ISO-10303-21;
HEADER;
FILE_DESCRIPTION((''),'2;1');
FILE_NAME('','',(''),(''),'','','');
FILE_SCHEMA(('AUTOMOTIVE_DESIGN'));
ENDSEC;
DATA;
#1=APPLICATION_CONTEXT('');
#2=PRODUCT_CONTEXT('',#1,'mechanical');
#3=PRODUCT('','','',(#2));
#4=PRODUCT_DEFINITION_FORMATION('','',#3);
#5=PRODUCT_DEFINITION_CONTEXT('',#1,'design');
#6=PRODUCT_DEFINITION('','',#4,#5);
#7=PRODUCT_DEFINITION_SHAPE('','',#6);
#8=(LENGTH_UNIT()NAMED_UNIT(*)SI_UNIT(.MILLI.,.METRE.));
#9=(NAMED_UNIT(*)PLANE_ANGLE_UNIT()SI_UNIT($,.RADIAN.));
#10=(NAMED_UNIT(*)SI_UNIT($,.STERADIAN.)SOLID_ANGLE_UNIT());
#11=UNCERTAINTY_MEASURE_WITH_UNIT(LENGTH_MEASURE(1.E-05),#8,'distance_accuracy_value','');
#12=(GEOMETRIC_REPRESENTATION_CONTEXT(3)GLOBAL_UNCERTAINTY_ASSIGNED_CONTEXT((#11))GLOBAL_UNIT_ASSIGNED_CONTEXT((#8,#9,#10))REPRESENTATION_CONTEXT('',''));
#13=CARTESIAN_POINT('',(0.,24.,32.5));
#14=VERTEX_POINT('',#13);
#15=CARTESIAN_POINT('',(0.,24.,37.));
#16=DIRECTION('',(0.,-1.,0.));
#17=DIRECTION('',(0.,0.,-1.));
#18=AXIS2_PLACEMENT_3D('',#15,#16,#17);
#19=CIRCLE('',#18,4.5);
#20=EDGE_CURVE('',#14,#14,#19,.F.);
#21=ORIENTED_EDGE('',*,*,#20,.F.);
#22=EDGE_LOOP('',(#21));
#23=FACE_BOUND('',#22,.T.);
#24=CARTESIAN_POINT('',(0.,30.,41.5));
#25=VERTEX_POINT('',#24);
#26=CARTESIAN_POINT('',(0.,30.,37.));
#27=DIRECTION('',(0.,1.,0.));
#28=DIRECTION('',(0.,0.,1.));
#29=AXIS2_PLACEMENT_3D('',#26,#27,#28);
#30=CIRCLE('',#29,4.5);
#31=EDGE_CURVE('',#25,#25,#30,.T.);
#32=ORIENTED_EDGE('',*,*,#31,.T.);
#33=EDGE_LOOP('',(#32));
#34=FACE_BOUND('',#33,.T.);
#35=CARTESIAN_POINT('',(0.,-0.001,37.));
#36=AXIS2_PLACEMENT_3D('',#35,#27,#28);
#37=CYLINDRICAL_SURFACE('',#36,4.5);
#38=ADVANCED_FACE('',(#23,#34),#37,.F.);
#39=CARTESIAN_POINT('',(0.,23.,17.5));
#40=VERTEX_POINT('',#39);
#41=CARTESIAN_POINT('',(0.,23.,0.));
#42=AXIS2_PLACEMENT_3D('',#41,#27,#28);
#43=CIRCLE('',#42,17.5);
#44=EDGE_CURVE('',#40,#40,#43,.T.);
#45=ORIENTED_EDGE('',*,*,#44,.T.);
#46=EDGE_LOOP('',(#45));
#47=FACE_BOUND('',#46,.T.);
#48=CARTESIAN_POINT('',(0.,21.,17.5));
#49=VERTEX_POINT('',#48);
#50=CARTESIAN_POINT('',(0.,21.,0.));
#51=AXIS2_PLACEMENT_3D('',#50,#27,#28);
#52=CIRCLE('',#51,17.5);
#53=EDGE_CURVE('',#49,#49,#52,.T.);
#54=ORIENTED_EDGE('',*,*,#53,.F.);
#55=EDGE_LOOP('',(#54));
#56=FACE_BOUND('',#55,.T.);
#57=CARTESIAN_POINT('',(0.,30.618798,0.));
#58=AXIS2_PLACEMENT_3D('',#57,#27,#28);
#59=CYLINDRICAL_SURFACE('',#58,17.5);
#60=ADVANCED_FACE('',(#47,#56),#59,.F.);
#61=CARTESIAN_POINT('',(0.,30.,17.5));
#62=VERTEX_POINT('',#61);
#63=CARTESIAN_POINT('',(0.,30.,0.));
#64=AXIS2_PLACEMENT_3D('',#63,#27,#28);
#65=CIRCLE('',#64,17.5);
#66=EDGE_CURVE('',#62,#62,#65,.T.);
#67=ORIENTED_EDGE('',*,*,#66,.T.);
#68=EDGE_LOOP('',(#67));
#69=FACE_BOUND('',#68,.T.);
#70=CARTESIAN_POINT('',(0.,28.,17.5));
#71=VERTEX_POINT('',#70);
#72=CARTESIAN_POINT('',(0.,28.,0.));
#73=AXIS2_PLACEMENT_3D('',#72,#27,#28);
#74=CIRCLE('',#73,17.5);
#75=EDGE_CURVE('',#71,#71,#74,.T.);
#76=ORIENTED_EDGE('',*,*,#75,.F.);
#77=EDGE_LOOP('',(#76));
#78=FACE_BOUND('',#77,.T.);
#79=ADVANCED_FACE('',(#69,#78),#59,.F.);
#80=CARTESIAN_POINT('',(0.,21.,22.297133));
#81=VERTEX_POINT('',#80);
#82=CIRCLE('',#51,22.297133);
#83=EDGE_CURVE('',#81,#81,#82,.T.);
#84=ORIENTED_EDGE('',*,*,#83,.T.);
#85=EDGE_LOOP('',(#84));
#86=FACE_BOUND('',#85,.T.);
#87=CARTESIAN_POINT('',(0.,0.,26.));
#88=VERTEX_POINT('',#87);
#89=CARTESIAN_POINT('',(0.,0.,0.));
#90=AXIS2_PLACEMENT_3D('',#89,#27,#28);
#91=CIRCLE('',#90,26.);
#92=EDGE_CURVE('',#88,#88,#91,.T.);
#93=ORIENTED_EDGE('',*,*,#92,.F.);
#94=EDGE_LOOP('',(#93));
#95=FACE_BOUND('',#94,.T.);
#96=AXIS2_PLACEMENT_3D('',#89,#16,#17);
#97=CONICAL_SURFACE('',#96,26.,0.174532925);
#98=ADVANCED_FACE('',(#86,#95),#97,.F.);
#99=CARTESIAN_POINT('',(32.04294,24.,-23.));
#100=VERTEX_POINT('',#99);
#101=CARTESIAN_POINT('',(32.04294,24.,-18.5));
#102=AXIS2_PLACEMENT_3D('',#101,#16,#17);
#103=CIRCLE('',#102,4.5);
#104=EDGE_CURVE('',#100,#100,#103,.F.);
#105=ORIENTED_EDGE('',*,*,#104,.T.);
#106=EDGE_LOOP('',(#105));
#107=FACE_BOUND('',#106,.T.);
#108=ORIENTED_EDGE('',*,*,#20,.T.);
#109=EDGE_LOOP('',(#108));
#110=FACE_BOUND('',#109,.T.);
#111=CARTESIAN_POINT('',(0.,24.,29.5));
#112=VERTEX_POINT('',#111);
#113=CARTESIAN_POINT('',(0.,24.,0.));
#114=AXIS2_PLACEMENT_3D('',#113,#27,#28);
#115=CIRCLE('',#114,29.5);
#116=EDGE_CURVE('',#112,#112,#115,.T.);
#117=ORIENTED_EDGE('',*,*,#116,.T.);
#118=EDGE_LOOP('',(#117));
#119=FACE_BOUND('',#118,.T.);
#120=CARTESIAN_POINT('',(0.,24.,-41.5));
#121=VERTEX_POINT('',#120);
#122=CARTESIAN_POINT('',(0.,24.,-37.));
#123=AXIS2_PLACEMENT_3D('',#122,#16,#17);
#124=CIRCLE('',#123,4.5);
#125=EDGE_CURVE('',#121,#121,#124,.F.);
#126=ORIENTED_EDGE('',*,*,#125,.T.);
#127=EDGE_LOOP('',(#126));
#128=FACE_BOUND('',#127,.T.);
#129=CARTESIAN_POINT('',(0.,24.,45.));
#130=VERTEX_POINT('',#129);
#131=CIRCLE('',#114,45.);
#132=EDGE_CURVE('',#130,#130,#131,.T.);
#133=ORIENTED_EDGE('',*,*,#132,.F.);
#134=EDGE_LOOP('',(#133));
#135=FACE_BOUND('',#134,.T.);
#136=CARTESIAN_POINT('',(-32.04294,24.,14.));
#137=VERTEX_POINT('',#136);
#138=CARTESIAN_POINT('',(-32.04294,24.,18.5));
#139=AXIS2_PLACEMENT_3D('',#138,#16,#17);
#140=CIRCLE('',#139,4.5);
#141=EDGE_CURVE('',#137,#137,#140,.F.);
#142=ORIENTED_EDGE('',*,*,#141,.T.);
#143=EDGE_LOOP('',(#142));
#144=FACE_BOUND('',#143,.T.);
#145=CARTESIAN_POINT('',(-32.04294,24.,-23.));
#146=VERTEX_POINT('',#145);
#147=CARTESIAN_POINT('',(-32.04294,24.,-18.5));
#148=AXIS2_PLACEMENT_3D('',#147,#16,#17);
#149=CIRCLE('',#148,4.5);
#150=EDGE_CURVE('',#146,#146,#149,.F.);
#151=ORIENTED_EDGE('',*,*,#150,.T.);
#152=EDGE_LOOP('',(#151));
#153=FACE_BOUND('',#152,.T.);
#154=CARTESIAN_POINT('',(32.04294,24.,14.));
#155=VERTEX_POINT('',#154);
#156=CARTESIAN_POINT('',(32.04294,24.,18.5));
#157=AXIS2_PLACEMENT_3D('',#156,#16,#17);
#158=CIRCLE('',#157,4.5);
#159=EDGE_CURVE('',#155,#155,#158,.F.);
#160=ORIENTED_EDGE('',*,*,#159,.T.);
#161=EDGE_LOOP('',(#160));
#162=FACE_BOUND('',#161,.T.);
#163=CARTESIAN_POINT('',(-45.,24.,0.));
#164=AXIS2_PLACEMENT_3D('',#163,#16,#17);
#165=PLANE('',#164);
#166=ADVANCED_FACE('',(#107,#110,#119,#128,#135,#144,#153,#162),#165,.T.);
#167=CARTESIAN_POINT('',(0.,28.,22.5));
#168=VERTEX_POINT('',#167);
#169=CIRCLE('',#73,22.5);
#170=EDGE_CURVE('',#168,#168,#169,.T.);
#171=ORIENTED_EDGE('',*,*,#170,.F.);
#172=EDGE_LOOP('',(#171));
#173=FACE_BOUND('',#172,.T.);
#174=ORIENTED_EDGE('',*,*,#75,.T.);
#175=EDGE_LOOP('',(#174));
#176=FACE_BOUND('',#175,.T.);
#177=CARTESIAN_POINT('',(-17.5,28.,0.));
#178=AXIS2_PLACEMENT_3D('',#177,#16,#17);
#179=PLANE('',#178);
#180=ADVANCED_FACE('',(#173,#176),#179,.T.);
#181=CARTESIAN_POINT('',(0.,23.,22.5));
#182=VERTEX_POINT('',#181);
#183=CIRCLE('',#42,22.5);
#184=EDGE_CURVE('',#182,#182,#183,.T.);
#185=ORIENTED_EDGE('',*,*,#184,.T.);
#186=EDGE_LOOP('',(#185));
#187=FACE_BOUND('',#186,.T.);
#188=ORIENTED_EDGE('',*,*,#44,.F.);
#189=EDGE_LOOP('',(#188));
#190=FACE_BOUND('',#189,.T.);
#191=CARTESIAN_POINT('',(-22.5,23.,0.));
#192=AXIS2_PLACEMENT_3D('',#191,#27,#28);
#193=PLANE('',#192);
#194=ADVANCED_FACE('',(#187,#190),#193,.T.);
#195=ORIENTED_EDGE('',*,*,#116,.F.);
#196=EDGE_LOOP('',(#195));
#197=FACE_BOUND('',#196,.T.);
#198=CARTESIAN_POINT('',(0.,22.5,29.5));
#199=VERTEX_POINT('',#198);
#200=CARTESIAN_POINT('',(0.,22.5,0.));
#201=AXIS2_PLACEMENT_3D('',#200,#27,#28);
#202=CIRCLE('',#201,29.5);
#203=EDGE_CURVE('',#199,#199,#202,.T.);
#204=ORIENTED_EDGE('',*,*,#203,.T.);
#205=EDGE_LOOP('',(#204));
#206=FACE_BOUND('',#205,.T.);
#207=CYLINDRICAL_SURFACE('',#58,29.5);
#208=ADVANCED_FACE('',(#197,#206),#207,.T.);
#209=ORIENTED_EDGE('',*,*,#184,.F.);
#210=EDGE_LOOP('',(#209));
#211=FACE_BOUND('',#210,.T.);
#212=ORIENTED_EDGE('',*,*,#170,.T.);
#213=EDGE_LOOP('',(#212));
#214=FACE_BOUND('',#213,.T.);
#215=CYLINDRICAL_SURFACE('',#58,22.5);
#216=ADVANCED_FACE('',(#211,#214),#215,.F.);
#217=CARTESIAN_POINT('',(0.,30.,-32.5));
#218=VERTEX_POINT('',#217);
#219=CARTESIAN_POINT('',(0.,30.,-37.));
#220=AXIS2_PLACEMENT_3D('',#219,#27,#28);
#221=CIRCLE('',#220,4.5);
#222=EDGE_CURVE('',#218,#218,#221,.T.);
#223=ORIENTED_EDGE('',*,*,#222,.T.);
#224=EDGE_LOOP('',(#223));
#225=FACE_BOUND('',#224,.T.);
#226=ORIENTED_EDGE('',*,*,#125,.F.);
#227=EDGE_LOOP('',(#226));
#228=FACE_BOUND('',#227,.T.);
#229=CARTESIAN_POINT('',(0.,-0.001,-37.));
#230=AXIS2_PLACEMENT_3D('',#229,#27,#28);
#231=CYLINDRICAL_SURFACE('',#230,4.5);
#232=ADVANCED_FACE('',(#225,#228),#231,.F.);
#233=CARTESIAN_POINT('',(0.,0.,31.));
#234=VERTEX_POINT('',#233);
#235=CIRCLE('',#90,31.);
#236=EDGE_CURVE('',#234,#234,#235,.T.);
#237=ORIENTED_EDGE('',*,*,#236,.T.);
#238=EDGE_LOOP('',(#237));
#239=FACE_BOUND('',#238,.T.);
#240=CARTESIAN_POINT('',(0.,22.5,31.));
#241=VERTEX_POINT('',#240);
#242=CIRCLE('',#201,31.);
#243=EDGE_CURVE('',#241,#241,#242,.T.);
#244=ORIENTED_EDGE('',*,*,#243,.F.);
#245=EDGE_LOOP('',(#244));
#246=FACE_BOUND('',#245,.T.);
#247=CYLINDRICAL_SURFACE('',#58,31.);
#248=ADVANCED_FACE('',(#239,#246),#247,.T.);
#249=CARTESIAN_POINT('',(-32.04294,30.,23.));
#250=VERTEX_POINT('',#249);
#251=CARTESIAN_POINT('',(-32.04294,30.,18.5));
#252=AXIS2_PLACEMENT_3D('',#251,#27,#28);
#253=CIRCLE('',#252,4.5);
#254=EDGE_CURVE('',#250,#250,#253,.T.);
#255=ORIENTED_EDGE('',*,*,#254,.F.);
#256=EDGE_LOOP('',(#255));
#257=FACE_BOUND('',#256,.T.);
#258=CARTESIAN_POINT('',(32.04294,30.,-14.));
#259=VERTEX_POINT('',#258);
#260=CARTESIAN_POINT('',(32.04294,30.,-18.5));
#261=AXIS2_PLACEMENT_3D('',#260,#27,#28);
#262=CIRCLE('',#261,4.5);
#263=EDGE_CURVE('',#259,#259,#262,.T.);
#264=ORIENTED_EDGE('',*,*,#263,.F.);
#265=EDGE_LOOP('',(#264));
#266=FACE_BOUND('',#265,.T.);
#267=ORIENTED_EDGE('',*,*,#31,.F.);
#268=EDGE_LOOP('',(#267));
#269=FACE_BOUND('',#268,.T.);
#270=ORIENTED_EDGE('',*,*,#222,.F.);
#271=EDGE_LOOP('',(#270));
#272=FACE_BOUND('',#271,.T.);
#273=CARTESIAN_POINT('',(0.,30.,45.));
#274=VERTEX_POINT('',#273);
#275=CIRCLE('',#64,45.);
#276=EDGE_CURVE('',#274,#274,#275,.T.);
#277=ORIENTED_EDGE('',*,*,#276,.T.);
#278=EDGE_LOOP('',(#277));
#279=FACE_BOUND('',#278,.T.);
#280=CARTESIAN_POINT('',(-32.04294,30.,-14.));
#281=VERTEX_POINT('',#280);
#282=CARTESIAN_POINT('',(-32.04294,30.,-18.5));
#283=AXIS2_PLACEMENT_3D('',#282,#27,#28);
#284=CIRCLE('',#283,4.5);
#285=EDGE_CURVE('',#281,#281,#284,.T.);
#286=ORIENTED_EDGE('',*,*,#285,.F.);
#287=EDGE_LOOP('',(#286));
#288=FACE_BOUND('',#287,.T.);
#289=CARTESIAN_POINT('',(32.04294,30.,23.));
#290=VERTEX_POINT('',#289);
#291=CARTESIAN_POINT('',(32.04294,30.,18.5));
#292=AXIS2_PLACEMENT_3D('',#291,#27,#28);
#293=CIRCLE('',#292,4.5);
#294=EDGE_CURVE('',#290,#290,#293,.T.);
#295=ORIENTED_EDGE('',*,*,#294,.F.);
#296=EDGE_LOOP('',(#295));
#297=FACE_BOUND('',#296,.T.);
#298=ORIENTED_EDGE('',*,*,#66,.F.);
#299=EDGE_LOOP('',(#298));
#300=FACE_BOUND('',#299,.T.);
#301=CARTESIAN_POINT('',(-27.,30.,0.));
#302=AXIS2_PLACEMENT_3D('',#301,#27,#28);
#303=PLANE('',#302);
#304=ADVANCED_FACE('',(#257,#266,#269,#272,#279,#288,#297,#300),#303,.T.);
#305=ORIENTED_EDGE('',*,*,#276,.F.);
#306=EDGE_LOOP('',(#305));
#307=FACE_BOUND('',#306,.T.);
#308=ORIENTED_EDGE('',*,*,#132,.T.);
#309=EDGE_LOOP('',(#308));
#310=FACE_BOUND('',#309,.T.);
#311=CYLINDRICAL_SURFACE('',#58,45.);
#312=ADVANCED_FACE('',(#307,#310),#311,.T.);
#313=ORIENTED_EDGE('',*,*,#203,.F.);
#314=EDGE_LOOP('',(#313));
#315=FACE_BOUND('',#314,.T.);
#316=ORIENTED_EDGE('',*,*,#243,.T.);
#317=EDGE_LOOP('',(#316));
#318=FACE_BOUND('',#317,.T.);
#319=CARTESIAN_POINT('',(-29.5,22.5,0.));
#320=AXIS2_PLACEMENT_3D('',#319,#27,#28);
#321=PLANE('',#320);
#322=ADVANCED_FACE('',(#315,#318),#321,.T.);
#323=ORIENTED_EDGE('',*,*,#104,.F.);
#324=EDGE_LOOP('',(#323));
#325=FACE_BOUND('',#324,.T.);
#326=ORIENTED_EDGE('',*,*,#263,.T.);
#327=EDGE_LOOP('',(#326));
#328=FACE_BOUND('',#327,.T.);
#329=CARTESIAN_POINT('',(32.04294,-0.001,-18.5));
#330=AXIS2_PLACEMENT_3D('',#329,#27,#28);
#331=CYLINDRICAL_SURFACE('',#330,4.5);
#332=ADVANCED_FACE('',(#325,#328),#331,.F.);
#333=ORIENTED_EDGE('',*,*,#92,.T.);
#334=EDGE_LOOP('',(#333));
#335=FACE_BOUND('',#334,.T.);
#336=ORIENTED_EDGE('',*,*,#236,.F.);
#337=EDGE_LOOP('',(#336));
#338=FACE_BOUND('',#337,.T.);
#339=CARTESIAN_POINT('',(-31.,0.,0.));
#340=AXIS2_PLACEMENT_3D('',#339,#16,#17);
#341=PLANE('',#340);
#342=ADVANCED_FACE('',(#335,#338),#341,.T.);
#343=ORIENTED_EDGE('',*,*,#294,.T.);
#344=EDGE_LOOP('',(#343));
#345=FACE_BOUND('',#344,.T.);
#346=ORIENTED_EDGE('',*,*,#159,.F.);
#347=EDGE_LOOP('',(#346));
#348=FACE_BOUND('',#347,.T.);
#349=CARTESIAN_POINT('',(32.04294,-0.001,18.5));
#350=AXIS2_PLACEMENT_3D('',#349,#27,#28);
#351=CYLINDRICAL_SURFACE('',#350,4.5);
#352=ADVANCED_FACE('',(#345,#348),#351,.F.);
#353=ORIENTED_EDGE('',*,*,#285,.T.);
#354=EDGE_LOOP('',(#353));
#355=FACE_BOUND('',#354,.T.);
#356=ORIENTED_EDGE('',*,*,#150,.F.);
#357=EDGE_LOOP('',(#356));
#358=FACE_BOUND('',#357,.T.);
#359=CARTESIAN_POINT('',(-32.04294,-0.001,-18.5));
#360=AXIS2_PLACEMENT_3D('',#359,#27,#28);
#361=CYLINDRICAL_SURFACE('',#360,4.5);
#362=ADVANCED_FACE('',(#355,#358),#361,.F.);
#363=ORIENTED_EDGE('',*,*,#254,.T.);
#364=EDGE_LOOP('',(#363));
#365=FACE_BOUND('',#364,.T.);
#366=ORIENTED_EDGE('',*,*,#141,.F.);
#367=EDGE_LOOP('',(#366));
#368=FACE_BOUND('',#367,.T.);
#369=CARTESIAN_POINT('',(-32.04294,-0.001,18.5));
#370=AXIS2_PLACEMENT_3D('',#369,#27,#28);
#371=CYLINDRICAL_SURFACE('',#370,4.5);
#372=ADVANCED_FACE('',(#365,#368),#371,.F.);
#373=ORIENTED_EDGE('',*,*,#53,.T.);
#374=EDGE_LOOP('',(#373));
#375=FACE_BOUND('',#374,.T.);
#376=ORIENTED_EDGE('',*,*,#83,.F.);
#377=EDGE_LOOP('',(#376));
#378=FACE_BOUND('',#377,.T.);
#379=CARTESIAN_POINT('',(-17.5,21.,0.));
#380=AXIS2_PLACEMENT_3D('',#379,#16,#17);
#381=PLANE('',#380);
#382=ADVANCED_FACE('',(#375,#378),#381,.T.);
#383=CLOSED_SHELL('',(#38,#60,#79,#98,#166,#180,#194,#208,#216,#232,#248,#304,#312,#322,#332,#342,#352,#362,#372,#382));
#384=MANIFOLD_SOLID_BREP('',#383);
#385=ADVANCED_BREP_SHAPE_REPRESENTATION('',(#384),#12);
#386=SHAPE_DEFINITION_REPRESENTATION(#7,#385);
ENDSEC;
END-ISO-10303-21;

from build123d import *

# Parameters (mm, degrees)
CUT_EXTRUDE1_REACH = 72.356
SKETCH2_R          = 4.5


with BuildPart() as part:
    # Sketch1 → Revolve1 (revolve)
    with BuildSketch(Plane.XY, mode=Mode.PRIVATE) as revolve1_sk:
        Polygon((-45, 30), (-45, 24), (-29.5, 24), (-29.5, 22.5), (-31, 22.5), (-31, 0), (-26, 0), (-22.297133405, 21), (-17.5, 21), (-17.5, 23), (-22.5, 23), (-22.5, 28), (-17.5, 28), (-17.5, 30), (-27, 30), align=None)
    revolve(revolve1_sk.sketch.rotate(Axis((0, 30.618797564, 0), (0, -1, 0)), 270), axis=Axis((0, 30.618797564, 0), (0, -1, 0)))

    # Sketch2 → Cut-Extrude1 (cut, up to next)
    with BuildSketch(Plane(origin=(0, 30, 0), x_dir=(1, 0, 0), z_dir=(0, 1, 0)), mode=Mode.PRIVATE) as cut_extrude1_sk1:
        with Locations(Location((0, 37, 0), (0, 0, 270))):
            Circle(SKETCH2_R)
    cut_extrude1_tool1 = extrude(cut_extrude1_sk1.sketch, amount=-CUT_EXTRUDE1_REACH, mode=Mode.PRIVATE) & part.part
    # Sketch2 → Cut-Extrude1 (cut, up to next)
    with BuildSketch(Plane(origin=(0, 30, 0), x_dir=(1, 0, 0), z_dir=(0, 1, 0)), mode=Mode.PRIVATE) as cut_extrude1_sk2:
        with Locations(Location((32.04293994, 18.5, 0), (0, 0, 270))):
            Circle(SKETCH2_R)
    cut_extrude1_tool2 = extrude(cut_extrude1_sk2.sketch, amount=-CUT_EXTRUDE1_REACH, mode=Mode.PRIVATE) & part.part
    # Sketch2 → Cut-Extrude1 (cut, up to next)
    with BuildSketch(Plane(origin=(0, 30, 0), x_dir=(1, 0, 0), z_dir=(0, 1, 0)), mode=Mode.PRIVATE) as cut_extrude1_sk3:
        with Locations(Location((32.04293994, -18.5, 0), (0, 0, 270))):
            Circle(SKETCH2_R)
    cut_extrude1_tool3 = extrude(cut_extrude1_sk3.sketch, amount=-CUT_EXTRUDE1_REACH, mode=Mode.PRIVATE) & part.part
    # Sketch2 → Cut-Extrude1 (cut, up to next)
    with BuildSketch(Plane(origin=(0, 30, 0), x_dir=(1, 0, 0), z_dir=(0, 1, 0)), mode=Mode.PRIVATE) as cut_extrude1_sk4:
        with Locations(Location((0, -37, 0), (0, 0, 270))):
            Circle(SKETCH2_R)
    cut_extrude1_tool4 = extrude(cut_extrude1_sk4.sketch, amount=-CUT_EXTRUDE1_REACH, mode=Mode.PRIVATE) & part.part
    # Sketch2 → Cut-Extrude1 (cut, up to next)
    with BuildSketch(Plane(origin=(0, 30, 0), x_dir=(1, 0, 0), z_dir=(0, 1, 0)), mode=Mode.PRIVATE) as cut_extrude1_sk5:
        with Locations(Location((-32.04293994, -18.5, 0), (0, 0, 270))):
            Circle(SKETCH2_R)
    cut_extrude1_tool5 = extrude(cut_extrude1_sk5.sketch, amount=-CUT_EXTRUDE1_REACH, mode=Mode.PRIVATE) & part.part
    # Sketch2 → Cut-Extrude1 (cut, up to next)
    with BuildSketch(Plane(origin=(0, 30, 0), x_dir=(1, 0, 0), z_dir=(0, 1, 0)), mode=Mode.PRIVATE) as cut_extrude1_sk6:
        with Locations(Location((-32.04293994, 18.5, 0), (0, 0, 270))):
            Circle(SKETCH2_R)
    cut_extrude1_tool6 = extrude(cut_extrude1_sk6.sketch, amount=-CUT_EXTRUDE1_REACH, mode=Mode.PRIVATE) & part.part
    add(cut_extrude1_tool1.solids().sort_by_distance((0, 30, -37))[0], mode=Mode.SUBTRACT)
    add(cut_extrude1_tool2.solids().sort_by_distance((32.04294, 30, -18.5))[0], mode=Mode.SUBTRACT)
    add(cut_extrude1_tool3.solids().sort_by_distance((32.04294, 30, 18.5))[0], mode=Mode.SUBTRACT)
    add(cut_extrude1_tool4.solids().sort_by_distance((0, 30, 37))[0], mode=Mode.SUBTRACT)
    add(cut_extrude1_tool5.solids().sort_by_distance((-32.04294, 30, 18.5))[0], mode=Mode.SUBTRACT)
    add(cut_extrude1_tool6.solids().sort_by_distance((-32.04294, 30, -18.5))[0], mode=Mode.SUBTRACT)


solid = part.part
